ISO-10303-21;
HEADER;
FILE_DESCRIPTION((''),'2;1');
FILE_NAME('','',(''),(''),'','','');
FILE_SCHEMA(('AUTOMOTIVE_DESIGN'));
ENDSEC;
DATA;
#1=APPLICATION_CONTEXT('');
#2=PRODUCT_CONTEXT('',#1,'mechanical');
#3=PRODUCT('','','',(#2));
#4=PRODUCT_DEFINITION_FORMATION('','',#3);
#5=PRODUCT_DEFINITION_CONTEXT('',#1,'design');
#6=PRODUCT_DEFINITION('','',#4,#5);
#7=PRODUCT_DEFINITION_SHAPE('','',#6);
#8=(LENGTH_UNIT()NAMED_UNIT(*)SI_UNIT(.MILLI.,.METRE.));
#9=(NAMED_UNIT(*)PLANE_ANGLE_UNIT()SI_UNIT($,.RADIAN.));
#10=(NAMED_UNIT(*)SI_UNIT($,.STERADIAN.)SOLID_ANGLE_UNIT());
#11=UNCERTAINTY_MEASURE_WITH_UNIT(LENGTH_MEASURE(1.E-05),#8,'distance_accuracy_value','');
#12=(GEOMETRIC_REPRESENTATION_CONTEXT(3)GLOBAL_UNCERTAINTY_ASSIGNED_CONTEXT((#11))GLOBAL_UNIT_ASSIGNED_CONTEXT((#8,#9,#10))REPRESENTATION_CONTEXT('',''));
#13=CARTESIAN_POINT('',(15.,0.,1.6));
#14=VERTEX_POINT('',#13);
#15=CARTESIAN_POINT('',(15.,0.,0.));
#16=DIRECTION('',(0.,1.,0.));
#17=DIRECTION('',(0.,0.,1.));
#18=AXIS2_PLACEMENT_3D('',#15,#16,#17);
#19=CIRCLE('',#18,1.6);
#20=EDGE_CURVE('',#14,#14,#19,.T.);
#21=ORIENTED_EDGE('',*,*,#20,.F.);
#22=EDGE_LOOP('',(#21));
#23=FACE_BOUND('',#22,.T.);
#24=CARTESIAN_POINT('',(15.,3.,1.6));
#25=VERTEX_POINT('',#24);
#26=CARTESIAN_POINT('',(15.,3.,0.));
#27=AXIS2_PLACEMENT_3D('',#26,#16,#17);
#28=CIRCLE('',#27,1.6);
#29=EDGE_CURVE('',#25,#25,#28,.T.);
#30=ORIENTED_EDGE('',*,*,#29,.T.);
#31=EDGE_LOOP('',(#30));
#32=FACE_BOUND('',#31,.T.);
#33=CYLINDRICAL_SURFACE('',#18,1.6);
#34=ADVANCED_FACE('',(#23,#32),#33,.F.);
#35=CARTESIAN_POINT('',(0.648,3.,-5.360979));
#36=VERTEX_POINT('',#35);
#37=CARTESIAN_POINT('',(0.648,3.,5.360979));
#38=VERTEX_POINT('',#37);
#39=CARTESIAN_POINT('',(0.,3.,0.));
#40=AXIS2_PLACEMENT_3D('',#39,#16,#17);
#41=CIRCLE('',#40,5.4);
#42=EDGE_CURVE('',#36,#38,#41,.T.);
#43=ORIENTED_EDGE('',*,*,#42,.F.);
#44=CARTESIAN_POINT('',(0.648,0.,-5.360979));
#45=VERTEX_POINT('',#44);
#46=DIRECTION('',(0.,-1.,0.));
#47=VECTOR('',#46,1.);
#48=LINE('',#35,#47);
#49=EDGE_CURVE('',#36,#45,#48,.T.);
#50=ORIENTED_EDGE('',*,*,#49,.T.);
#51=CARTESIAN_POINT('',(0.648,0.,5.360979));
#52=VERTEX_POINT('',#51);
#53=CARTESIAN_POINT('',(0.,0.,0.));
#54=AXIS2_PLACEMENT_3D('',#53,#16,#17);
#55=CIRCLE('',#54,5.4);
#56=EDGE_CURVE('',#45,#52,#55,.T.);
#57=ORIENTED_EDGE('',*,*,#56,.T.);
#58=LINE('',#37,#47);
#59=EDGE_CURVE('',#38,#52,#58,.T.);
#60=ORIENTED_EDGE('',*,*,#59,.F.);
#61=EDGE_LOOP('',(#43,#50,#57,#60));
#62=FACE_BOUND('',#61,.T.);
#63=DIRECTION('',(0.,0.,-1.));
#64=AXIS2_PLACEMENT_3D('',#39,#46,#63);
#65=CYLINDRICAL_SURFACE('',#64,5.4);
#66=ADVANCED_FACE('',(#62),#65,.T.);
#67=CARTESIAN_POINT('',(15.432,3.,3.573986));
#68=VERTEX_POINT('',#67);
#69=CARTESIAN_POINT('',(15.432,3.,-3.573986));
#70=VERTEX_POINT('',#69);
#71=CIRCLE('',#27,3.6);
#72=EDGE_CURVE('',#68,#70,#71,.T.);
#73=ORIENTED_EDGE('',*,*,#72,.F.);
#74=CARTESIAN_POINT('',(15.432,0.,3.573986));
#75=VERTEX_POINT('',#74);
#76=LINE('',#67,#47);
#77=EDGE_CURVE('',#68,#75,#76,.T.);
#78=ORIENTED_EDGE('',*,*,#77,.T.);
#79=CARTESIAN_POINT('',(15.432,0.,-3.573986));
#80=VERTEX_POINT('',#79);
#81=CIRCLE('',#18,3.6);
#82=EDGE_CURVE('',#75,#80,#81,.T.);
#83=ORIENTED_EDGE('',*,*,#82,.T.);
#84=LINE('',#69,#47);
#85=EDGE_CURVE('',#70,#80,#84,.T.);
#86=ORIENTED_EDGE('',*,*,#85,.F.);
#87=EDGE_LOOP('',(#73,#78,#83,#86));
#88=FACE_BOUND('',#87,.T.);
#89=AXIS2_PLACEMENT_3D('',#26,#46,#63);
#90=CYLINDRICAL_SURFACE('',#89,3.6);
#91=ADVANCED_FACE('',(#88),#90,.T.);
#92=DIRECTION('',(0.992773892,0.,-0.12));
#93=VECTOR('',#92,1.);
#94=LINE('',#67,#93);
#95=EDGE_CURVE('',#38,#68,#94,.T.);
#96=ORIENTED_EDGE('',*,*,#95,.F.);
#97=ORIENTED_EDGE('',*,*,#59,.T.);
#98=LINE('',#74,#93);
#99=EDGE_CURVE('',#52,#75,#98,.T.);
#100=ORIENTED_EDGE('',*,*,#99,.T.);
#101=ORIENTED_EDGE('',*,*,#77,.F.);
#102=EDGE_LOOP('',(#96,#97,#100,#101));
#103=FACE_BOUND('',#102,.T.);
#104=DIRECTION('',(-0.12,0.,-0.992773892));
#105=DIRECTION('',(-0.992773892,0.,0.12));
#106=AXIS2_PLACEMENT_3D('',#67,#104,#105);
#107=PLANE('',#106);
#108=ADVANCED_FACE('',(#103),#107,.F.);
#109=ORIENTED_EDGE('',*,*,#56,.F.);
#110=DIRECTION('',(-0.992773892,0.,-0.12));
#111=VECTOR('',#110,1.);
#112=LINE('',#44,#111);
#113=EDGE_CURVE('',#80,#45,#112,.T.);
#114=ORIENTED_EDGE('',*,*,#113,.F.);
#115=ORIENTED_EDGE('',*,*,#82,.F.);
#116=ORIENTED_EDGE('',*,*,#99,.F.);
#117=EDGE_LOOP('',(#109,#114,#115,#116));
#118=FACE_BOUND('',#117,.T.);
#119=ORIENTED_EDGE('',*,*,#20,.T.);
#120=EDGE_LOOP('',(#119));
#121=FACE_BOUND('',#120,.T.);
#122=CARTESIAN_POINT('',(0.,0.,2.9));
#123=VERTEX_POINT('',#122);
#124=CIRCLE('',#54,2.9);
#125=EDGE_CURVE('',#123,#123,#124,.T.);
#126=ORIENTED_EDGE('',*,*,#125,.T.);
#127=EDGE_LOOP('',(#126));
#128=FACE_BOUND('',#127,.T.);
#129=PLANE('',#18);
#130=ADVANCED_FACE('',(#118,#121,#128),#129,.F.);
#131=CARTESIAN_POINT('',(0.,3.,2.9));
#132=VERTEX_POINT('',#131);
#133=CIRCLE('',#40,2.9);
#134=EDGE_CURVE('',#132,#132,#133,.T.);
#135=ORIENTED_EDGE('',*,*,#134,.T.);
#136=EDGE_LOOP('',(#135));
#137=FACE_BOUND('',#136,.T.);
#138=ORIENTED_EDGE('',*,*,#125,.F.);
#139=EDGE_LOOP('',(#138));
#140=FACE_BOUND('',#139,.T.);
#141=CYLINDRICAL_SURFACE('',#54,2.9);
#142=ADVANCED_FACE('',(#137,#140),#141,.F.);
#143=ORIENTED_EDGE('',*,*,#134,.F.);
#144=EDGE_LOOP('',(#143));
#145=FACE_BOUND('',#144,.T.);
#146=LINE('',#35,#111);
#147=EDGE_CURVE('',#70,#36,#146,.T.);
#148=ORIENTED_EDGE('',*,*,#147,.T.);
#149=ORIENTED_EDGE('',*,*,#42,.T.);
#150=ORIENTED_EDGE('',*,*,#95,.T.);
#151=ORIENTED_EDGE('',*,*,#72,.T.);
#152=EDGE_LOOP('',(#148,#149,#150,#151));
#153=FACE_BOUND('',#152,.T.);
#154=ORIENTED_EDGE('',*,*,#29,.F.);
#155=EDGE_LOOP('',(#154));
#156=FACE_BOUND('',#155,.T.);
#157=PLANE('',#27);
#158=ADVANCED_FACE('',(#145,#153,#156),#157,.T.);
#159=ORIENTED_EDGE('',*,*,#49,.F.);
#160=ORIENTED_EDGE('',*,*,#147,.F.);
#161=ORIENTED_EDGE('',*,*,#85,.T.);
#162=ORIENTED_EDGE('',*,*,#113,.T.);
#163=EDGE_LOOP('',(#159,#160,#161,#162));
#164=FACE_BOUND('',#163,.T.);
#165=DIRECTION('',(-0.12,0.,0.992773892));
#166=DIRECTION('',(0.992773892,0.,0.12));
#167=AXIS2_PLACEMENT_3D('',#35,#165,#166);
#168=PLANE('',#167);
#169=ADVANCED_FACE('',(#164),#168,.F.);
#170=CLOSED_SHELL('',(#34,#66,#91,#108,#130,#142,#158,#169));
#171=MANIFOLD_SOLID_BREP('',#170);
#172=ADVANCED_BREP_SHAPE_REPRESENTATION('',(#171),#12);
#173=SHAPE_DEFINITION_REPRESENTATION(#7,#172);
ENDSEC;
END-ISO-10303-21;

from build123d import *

# Parameters (mm, degrees)
BOSS_EXTRUDE1_DEPTH = 3
SKETCH2_R           = 2.9
SKETCH2_R_2         = 1.6
CUT_EXTRUDE1_DEPTH  = 20.598979565


with BuildPart() as part:
    # Sketch1 → Boss-Extrude1 (new body)
    with BuildSketch(Plane(origin=(0, 0, 0), x_dir=(1, 0, 0), z_dir=(0, 1, 0))):
        with BuildLine():
            Line((0.648, 5.360979015), (15.432, 3.57398601))
            ThreePointArc((15.432, 3.57398601), (18.6, 0), (15.432, -3.57398601))
            Line((15.432, -3.57398601), (0.648, -5.360979015))
            ThreePointArc((0.648, -5.360979015), (-5.4, 0), (0.648, 5.360979015))
        make_face()
    extrude(amount=BOSS_EXTRUDE1_DEPTH)

    # Sketch2 → Cut-Extrude1 (cut, through all)
    with BuildSketch(Plane(origin=(0, 3, 0), x_dir=(1, 0, 0), z_dir=(0, 1, 0))):
        with Locations(Location((0, 0, 0), (0, 0, 270))):
            Circle(SKETCH2_R)
        with Locations(Location((15, 0, 0), (0, 0, 270))):
            Circle(SKETCH2_R_2)
    extrude(amount=-CUT_EXTRUDE1_DEPTH, mode=Mode.SUBTRACT)


solid = part.part
